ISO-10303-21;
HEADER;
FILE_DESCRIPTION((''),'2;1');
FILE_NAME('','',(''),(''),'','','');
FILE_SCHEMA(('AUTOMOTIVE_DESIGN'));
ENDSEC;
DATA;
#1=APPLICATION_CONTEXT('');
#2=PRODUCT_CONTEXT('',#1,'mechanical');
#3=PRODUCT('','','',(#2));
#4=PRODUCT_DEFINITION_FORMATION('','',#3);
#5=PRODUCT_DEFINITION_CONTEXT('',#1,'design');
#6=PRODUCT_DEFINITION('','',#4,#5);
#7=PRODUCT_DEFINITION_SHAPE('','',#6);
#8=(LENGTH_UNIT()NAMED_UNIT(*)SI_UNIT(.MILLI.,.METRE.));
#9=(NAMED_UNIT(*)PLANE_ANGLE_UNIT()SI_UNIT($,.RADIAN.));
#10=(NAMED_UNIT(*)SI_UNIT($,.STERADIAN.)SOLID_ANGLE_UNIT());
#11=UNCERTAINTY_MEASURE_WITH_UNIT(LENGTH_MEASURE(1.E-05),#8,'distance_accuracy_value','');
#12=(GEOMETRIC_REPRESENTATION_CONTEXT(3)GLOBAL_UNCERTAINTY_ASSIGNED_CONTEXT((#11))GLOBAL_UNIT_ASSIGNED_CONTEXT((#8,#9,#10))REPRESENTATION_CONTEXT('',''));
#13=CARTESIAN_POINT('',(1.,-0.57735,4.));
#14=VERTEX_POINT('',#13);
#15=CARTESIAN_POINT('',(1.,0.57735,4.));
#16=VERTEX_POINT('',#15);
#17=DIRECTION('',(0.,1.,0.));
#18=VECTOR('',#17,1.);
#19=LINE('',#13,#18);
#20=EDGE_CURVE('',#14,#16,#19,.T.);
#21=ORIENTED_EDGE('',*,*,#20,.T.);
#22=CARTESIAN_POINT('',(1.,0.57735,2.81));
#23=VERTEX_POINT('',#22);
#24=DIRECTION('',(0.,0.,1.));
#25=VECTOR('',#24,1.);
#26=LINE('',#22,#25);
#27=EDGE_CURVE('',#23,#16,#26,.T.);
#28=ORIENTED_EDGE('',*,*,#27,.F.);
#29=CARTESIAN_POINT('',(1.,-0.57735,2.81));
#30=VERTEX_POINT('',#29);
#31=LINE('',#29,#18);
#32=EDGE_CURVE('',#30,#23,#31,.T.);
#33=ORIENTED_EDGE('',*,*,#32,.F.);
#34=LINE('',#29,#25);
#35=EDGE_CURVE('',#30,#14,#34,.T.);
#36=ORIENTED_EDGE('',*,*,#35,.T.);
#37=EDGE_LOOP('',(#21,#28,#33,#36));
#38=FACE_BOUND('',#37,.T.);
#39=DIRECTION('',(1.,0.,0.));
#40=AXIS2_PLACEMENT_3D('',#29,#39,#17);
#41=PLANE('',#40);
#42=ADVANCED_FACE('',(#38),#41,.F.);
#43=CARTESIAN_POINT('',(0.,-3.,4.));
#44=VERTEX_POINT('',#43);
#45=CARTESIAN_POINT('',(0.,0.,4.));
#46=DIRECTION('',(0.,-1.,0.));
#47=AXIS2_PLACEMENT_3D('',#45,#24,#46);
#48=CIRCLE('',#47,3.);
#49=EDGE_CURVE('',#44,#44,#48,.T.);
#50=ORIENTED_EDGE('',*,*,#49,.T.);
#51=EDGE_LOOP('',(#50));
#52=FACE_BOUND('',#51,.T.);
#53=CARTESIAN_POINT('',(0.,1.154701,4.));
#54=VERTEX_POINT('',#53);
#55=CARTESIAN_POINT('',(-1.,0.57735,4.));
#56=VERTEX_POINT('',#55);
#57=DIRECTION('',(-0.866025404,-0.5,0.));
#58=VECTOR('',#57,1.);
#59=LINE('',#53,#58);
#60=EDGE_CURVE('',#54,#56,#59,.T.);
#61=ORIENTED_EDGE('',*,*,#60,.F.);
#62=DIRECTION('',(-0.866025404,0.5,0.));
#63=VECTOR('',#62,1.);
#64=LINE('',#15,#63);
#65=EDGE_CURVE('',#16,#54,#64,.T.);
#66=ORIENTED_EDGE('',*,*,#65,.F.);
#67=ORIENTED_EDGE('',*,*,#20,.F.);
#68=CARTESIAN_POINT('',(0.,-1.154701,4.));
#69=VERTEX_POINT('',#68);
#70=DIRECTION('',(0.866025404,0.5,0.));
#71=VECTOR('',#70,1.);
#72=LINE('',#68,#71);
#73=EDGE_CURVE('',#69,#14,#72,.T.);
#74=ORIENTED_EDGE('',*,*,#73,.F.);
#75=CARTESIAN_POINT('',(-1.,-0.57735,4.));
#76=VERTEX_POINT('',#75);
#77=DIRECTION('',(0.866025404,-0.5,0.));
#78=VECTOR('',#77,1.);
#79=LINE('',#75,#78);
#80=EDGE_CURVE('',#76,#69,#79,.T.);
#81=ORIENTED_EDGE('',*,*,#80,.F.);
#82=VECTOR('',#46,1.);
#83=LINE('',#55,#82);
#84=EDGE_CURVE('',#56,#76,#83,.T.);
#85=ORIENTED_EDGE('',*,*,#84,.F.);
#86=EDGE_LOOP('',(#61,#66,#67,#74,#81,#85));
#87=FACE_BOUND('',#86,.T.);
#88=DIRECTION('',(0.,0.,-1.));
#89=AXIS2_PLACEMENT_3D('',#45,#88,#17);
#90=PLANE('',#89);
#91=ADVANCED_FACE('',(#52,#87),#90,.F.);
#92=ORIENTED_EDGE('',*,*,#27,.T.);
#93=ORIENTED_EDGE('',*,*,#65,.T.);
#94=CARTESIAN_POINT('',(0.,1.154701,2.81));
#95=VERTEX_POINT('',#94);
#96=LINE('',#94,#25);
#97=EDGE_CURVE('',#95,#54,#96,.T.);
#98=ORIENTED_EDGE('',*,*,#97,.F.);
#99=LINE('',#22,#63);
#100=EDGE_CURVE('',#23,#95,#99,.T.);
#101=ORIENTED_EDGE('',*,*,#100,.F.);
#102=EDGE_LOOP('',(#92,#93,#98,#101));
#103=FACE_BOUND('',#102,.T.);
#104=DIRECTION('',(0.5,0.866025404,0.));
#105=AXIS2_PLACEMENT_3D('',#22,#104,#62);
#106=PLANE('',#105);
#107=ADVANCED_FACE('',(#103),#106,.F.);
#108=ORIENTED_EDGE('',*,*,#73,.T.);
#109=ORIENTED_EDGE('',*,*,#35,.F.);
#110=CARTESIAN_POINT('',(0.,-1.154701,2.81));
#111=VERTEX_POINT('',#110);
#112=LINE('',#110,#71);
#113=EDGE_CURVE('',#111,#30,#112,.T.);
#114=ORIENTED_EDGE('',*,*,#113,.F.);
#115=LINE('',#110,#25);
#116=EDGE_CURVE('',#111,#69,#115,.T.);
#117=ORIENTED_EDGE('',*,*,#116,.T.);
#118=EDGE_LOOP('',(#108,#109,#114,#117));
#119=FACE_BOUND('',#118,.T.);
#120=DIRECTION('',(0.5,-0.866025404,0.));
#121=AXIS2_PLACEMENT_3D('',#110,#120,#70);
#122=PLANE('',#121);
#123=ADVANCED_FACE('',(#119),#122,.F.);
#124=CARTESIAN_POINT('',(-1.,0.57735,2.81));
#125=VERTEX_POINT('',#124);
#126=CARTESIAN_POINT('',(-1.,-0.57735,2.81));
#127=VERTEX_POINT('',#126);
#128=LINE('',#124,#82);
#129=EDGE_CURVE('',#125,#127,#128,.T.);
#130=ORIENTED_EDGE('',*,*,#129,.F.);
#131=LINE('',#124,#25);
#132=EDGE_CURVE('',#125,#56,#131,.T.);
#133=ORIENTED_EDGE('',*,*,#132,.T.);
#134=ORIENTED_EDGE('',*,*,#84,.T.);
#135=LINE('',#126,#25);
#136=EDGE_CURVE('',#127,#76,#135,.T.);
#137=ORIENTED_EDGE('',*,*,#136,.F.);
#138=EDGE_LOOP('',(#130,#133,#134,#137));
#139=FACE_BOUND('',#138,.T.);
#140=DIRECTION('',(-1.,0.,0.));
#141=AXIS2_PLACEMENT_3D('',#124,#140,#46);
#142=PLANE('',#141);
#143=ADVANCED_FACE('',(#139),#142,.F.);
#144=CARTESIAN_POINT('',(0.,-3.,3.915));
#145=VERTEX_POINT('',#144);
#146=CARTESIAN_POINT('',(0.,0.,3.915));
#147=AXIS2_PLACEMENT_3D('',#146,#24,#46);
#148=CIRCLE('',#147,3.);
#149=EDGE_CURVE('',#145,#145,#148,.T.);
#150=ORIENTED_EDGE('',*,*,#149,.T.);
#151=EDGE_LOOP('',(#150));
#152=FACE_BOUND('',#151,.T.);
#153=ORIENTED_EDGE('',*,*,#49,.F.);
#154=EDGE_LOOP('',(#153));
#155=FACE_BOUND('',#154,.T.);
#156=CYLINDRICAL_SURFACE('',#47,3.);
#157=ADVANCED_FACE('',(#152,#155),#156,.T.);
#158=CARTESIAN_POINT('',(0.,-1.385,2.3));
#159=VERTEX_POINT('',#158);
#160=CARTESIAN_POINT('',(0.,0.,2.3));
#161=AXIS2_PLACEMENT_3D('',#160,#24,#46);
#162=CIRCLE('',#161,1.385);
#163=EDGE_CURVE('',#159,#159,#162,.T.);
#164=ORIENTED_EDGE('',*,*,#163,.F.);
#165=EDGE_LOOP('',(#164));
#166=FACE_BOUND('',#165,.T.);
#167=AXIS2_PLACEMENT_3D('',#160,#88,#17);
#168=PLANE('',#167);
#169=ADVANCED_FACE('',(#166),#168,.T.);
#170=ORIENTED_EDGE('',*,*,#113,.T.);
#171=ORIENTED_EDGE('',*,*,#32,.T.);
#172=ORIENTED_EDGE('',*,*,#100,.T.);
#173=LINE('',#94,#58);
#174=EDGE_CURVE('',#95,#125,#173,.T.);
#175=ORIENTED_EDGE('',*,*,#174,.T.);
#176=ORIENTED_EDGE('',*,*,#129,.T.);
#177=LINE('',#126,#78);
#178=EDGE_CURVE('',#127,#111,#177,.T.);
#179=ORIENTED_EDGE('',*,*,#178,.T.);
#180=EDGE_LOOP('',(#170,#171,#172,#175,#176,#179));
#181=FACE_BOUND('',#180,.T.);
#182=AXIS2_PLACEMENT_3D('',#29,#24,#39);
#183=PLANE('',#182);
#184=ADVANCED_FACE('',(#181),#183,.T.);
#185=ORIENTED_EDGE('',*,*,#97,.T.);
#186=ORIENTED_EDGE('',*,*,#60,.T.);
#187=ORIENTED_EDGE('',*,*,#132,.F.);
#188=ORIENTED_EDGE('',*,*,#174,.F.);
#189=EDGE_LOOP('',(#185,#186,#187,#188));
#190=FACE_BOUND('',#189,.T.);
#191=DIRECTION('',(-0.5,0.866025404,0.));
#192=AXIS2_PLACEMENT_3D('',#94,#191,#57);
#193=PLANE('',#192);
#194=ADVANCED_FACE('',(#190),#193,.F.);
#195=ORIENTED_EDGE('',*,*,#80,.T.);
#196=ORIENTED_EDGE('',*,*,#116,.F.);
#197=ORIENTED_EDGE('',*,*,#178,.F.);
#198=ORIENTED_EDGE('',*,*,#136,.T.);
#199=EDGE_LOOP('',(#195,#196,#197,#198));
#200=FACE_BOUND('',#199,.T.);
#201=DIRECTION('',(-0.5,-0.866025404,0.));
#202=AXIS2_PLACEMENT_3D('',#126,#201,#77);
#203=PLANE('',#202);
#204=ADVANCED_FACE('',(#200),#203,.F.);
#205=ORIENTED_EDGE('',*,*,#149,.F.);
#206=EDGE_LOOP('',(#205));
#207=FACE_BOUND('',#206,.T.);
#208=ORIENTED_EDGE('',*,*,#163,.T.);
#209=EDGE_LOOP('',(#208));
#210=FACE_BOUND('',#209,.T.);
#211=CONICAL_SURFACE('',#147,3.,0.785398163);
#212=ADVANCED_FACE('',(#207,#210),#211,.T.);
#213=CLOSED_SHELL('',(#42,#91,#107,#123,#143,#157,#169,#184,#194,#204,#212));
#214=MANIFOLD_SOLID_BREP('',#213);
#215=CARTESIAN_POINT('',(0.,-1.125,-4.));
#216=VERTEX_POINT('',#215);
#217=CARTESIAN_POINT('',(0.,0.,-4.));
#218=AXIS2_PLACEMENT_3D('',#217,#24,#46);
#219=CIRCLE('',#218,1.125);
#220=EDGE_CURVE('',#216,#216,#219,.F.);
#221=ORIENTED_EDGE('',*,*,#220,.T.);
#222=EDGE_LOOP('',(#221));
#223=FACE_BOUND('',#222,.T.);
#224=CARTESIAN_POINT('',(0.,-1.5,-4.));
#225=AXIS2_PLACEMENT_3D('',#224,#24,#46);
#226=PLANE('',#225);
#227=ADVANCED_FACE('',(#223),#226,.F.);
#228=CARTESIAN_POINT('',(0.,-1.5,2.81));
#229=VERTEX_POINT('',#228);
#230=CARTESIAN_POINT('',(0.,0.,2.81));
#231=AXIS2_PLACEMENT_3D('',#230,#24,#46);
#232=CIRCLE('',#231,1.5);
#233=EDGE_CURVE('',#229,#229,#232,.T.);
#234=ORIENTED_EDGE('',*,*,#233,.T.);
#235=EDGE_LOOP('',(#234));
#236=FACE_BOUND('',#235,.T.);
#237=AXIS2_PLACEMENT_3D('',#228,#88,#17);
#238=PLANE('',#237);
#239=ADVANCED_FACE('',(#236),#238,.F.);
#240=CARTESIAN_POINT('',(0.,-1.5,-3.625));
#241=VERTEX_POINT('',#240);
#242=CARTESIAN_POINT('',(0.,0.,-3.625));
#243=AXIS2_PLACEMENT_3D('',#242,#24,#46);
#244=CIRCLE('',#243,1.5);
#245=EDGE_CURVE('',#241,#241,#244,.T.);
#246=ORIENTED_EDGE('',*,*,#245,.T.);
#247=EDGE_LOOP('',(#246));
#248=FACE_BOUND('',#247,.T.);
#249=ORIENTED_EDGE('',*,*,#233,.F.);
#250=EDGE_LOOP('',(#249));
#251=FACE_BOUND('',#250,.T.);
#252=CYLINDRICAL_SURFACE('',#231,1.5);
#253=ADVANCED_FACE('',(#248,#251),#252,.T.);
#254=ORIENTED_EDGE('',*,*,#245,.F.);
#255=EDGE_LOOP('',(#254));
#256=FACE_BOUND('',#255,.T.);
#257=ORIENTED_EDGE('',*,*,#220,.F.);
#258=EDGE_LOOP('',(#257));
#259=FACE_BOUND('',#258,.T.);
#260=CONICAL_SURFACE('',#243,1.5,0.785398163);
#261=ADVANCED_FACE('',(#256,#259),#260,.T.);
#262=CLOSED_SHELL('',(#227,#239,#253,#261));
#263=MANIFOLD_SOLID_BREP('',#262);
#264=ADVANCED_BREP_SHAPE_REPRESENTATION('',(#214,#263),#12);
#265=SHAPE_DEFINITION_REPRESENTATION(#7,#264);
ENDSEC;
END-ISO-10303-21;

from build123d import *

# Parameters (mm, degrees)
CHAMFER1_SIZE      = 0.375
CUT_EXTRUDE2_DEPTH = 1.19


with BuildPart() as part:
    # Sketch1 → Revolve1 (revolve)
    with BuildSketch(Plane(origin=(0, 0, 0), x_dir=(0, 0, -1), z_dir=(1, 0, 0))):
        Polygon((-2.3, 1.5), (4, 1.5), (4, 0), (-2.81, 0), (-2.81, 1.5), align=None)
    revolve(axis=Axis((0, 0, 2.81), (0, 0, -1)))

    # Chamfer1
    chamfer1_edges = [part.edges().sort_by_distance(p)[0] for p in [
        (0, -1.5, -4),
    ]]
    chamfer(chamfer1_edges, length=CHAMFER1_SIZE)


with BuildPart() as body_2:
    # Sketch7 → Revolve2 (revolve)
    with BuildSketch(Plane(origin=(0, 0, 0), x_dir=(0, 0, -1), z_dir=(1, 0, 0))):
        Polygon((-3.915, 3), (-4, 3), (-4, 0), (-2.3, 0), (-2.3, 1.385), align=None)
    revolve(axis=Axis((0, 0, 4), (0, 0, -1)))

    # Sketch5 → Cut-Extrude2 (cut)
    with BuildSketch(Plane.XY.offset(4)):
        Polygon((1, -0.577350269), (1, 0.577350269), (0, 1.154700538), (-1, 0.577350269), (-1, -0.577350269), (0, -1.154700538), align=None)
    extrude(amount=-CUT_EXTRUDE2_DEPTH, mode=Mode.SUBTRACT)


solid = Compound([part.part, body_2.part])
